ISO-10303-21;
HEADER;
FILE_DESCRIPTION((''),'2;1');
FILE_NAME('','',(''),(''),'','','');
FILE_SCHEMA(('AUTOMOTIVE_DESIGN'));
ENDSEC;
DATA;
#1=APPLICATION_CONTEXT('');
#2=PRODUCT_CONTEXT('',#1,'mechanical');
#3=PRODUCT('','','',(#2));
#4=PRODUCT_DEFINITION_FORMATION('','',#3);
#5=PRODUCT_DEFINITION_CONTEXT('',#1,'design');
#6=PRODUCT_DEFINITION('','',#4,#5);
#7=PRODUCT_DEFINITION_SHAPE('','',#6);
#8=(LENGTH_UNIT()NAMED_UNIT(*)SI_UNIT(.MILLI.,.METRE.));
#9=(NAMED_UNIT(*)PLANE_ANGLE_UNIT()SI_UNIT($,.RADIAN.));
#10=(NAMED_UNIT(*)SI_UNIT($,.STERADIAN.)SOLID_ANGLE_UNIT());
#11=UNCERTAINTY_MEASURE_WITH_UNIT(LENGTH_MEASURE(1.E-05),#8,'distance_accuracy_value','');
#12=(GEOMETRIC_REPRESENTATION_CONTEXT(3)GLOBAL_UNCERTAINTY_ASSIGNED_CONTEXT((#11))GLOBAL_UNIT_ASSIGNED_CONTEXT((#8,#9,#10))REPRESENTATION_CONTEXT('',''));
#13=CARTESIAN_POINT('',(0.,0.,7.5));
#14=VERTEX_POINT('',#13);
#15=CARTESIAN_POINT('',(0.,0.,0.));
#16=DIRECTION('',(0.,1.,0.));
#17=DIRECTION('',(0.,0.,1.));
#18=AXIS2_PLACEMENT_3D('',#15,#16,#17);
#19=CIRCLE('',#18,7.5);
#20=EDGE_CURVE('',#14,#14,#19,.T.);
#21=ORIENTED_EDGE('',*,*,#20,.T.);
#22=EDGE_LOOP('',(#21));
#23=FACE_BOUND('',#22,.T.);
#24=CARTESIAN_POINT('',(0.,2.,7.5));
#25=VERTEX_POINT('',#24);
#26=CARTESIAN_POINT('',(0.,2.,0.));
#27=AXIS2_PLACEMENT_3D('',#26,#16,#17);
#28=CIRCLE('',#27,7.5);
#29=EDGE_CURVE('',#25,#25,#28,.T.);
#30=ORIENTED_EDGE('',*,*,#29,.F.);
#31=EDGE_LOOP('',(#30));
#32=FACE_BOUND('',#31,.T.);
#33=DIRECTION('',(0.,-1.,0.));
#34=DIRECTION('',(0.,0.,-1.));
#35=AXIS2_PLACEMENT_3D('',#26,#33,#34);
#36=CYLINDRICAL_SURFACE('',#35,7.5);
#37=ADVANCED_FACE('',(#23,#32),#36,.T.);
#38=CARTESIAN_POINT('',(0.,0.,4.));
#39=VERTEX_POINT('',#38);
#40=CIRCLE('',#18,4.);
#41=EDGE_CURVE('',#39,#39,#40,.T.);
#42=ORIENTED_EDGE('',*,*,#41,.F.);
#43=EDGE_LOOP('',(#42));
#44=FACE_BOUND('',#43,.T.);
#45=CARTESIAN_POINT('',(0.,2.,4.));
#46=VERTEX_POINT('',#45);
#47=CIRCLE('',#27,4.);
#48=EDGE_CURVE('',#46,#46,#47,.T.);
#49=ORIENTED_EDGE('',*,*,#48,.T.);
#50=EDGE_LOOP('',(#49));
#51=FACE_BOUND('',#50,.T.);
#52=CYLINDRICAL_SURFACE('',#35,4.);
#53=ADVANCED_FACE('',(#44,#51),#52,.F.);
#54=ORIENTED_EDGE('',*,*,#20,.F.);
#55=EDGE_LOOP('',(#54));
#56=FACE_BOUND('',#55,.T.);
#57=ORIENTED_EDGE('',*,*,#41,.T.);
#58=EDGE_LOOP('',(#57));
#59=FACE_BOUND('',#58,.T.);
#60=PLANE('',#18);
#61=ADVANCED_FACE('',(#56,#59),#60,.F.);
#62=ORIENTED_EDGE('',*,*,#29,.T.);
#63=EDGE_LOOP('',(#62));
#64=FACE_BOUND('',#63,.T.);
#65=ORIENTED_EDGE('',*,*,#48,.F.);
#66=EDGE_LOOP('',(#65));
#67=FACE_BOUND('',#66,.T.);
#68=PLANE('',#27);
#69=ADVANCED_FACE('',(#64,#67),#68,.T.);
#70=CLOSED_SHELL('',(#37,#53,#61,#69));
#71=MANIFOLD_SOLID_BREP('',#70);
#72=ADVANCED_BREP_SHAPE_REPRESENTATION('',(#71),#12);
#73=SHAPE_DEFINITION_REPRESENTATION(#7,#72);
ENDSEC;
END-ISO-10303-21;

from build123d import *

# Parameters (mm, degrees)
CROQUIS1_R              = 7.5
SALIENTE_EXTRUIR1_DEPTH = 2
CROQUIS2_R              = 4
CORTAR_EXTRUIR1_DEPTH   = 3


with BuildPart() as part:
    # Croquis1 → Saliente-Extruir1 (new body)
    with BuildSketch(Plane(origin=(0, 0, 0), x_dir=(1, 0, 0), z_dir=(0, 1, 0))):
        Circle(CROQUIS1_R)
    extrude(amount=SALIENTE_EXTRUIR1_DEPTH)

    # Croquis2 → Cortar-Extruir1 (cut, through all)
    with BuildSketch(Plane(origin=(0, 0, 0), x_dir=(1, 0, 0), z_dir=(0, 1, 0))):
        Circle(CROQUIS2_R)
    extrude(amount=CORTAR_EXTRUIR1_DEPTH, mode=Mode.SUBTRACT)


solid = part.part
